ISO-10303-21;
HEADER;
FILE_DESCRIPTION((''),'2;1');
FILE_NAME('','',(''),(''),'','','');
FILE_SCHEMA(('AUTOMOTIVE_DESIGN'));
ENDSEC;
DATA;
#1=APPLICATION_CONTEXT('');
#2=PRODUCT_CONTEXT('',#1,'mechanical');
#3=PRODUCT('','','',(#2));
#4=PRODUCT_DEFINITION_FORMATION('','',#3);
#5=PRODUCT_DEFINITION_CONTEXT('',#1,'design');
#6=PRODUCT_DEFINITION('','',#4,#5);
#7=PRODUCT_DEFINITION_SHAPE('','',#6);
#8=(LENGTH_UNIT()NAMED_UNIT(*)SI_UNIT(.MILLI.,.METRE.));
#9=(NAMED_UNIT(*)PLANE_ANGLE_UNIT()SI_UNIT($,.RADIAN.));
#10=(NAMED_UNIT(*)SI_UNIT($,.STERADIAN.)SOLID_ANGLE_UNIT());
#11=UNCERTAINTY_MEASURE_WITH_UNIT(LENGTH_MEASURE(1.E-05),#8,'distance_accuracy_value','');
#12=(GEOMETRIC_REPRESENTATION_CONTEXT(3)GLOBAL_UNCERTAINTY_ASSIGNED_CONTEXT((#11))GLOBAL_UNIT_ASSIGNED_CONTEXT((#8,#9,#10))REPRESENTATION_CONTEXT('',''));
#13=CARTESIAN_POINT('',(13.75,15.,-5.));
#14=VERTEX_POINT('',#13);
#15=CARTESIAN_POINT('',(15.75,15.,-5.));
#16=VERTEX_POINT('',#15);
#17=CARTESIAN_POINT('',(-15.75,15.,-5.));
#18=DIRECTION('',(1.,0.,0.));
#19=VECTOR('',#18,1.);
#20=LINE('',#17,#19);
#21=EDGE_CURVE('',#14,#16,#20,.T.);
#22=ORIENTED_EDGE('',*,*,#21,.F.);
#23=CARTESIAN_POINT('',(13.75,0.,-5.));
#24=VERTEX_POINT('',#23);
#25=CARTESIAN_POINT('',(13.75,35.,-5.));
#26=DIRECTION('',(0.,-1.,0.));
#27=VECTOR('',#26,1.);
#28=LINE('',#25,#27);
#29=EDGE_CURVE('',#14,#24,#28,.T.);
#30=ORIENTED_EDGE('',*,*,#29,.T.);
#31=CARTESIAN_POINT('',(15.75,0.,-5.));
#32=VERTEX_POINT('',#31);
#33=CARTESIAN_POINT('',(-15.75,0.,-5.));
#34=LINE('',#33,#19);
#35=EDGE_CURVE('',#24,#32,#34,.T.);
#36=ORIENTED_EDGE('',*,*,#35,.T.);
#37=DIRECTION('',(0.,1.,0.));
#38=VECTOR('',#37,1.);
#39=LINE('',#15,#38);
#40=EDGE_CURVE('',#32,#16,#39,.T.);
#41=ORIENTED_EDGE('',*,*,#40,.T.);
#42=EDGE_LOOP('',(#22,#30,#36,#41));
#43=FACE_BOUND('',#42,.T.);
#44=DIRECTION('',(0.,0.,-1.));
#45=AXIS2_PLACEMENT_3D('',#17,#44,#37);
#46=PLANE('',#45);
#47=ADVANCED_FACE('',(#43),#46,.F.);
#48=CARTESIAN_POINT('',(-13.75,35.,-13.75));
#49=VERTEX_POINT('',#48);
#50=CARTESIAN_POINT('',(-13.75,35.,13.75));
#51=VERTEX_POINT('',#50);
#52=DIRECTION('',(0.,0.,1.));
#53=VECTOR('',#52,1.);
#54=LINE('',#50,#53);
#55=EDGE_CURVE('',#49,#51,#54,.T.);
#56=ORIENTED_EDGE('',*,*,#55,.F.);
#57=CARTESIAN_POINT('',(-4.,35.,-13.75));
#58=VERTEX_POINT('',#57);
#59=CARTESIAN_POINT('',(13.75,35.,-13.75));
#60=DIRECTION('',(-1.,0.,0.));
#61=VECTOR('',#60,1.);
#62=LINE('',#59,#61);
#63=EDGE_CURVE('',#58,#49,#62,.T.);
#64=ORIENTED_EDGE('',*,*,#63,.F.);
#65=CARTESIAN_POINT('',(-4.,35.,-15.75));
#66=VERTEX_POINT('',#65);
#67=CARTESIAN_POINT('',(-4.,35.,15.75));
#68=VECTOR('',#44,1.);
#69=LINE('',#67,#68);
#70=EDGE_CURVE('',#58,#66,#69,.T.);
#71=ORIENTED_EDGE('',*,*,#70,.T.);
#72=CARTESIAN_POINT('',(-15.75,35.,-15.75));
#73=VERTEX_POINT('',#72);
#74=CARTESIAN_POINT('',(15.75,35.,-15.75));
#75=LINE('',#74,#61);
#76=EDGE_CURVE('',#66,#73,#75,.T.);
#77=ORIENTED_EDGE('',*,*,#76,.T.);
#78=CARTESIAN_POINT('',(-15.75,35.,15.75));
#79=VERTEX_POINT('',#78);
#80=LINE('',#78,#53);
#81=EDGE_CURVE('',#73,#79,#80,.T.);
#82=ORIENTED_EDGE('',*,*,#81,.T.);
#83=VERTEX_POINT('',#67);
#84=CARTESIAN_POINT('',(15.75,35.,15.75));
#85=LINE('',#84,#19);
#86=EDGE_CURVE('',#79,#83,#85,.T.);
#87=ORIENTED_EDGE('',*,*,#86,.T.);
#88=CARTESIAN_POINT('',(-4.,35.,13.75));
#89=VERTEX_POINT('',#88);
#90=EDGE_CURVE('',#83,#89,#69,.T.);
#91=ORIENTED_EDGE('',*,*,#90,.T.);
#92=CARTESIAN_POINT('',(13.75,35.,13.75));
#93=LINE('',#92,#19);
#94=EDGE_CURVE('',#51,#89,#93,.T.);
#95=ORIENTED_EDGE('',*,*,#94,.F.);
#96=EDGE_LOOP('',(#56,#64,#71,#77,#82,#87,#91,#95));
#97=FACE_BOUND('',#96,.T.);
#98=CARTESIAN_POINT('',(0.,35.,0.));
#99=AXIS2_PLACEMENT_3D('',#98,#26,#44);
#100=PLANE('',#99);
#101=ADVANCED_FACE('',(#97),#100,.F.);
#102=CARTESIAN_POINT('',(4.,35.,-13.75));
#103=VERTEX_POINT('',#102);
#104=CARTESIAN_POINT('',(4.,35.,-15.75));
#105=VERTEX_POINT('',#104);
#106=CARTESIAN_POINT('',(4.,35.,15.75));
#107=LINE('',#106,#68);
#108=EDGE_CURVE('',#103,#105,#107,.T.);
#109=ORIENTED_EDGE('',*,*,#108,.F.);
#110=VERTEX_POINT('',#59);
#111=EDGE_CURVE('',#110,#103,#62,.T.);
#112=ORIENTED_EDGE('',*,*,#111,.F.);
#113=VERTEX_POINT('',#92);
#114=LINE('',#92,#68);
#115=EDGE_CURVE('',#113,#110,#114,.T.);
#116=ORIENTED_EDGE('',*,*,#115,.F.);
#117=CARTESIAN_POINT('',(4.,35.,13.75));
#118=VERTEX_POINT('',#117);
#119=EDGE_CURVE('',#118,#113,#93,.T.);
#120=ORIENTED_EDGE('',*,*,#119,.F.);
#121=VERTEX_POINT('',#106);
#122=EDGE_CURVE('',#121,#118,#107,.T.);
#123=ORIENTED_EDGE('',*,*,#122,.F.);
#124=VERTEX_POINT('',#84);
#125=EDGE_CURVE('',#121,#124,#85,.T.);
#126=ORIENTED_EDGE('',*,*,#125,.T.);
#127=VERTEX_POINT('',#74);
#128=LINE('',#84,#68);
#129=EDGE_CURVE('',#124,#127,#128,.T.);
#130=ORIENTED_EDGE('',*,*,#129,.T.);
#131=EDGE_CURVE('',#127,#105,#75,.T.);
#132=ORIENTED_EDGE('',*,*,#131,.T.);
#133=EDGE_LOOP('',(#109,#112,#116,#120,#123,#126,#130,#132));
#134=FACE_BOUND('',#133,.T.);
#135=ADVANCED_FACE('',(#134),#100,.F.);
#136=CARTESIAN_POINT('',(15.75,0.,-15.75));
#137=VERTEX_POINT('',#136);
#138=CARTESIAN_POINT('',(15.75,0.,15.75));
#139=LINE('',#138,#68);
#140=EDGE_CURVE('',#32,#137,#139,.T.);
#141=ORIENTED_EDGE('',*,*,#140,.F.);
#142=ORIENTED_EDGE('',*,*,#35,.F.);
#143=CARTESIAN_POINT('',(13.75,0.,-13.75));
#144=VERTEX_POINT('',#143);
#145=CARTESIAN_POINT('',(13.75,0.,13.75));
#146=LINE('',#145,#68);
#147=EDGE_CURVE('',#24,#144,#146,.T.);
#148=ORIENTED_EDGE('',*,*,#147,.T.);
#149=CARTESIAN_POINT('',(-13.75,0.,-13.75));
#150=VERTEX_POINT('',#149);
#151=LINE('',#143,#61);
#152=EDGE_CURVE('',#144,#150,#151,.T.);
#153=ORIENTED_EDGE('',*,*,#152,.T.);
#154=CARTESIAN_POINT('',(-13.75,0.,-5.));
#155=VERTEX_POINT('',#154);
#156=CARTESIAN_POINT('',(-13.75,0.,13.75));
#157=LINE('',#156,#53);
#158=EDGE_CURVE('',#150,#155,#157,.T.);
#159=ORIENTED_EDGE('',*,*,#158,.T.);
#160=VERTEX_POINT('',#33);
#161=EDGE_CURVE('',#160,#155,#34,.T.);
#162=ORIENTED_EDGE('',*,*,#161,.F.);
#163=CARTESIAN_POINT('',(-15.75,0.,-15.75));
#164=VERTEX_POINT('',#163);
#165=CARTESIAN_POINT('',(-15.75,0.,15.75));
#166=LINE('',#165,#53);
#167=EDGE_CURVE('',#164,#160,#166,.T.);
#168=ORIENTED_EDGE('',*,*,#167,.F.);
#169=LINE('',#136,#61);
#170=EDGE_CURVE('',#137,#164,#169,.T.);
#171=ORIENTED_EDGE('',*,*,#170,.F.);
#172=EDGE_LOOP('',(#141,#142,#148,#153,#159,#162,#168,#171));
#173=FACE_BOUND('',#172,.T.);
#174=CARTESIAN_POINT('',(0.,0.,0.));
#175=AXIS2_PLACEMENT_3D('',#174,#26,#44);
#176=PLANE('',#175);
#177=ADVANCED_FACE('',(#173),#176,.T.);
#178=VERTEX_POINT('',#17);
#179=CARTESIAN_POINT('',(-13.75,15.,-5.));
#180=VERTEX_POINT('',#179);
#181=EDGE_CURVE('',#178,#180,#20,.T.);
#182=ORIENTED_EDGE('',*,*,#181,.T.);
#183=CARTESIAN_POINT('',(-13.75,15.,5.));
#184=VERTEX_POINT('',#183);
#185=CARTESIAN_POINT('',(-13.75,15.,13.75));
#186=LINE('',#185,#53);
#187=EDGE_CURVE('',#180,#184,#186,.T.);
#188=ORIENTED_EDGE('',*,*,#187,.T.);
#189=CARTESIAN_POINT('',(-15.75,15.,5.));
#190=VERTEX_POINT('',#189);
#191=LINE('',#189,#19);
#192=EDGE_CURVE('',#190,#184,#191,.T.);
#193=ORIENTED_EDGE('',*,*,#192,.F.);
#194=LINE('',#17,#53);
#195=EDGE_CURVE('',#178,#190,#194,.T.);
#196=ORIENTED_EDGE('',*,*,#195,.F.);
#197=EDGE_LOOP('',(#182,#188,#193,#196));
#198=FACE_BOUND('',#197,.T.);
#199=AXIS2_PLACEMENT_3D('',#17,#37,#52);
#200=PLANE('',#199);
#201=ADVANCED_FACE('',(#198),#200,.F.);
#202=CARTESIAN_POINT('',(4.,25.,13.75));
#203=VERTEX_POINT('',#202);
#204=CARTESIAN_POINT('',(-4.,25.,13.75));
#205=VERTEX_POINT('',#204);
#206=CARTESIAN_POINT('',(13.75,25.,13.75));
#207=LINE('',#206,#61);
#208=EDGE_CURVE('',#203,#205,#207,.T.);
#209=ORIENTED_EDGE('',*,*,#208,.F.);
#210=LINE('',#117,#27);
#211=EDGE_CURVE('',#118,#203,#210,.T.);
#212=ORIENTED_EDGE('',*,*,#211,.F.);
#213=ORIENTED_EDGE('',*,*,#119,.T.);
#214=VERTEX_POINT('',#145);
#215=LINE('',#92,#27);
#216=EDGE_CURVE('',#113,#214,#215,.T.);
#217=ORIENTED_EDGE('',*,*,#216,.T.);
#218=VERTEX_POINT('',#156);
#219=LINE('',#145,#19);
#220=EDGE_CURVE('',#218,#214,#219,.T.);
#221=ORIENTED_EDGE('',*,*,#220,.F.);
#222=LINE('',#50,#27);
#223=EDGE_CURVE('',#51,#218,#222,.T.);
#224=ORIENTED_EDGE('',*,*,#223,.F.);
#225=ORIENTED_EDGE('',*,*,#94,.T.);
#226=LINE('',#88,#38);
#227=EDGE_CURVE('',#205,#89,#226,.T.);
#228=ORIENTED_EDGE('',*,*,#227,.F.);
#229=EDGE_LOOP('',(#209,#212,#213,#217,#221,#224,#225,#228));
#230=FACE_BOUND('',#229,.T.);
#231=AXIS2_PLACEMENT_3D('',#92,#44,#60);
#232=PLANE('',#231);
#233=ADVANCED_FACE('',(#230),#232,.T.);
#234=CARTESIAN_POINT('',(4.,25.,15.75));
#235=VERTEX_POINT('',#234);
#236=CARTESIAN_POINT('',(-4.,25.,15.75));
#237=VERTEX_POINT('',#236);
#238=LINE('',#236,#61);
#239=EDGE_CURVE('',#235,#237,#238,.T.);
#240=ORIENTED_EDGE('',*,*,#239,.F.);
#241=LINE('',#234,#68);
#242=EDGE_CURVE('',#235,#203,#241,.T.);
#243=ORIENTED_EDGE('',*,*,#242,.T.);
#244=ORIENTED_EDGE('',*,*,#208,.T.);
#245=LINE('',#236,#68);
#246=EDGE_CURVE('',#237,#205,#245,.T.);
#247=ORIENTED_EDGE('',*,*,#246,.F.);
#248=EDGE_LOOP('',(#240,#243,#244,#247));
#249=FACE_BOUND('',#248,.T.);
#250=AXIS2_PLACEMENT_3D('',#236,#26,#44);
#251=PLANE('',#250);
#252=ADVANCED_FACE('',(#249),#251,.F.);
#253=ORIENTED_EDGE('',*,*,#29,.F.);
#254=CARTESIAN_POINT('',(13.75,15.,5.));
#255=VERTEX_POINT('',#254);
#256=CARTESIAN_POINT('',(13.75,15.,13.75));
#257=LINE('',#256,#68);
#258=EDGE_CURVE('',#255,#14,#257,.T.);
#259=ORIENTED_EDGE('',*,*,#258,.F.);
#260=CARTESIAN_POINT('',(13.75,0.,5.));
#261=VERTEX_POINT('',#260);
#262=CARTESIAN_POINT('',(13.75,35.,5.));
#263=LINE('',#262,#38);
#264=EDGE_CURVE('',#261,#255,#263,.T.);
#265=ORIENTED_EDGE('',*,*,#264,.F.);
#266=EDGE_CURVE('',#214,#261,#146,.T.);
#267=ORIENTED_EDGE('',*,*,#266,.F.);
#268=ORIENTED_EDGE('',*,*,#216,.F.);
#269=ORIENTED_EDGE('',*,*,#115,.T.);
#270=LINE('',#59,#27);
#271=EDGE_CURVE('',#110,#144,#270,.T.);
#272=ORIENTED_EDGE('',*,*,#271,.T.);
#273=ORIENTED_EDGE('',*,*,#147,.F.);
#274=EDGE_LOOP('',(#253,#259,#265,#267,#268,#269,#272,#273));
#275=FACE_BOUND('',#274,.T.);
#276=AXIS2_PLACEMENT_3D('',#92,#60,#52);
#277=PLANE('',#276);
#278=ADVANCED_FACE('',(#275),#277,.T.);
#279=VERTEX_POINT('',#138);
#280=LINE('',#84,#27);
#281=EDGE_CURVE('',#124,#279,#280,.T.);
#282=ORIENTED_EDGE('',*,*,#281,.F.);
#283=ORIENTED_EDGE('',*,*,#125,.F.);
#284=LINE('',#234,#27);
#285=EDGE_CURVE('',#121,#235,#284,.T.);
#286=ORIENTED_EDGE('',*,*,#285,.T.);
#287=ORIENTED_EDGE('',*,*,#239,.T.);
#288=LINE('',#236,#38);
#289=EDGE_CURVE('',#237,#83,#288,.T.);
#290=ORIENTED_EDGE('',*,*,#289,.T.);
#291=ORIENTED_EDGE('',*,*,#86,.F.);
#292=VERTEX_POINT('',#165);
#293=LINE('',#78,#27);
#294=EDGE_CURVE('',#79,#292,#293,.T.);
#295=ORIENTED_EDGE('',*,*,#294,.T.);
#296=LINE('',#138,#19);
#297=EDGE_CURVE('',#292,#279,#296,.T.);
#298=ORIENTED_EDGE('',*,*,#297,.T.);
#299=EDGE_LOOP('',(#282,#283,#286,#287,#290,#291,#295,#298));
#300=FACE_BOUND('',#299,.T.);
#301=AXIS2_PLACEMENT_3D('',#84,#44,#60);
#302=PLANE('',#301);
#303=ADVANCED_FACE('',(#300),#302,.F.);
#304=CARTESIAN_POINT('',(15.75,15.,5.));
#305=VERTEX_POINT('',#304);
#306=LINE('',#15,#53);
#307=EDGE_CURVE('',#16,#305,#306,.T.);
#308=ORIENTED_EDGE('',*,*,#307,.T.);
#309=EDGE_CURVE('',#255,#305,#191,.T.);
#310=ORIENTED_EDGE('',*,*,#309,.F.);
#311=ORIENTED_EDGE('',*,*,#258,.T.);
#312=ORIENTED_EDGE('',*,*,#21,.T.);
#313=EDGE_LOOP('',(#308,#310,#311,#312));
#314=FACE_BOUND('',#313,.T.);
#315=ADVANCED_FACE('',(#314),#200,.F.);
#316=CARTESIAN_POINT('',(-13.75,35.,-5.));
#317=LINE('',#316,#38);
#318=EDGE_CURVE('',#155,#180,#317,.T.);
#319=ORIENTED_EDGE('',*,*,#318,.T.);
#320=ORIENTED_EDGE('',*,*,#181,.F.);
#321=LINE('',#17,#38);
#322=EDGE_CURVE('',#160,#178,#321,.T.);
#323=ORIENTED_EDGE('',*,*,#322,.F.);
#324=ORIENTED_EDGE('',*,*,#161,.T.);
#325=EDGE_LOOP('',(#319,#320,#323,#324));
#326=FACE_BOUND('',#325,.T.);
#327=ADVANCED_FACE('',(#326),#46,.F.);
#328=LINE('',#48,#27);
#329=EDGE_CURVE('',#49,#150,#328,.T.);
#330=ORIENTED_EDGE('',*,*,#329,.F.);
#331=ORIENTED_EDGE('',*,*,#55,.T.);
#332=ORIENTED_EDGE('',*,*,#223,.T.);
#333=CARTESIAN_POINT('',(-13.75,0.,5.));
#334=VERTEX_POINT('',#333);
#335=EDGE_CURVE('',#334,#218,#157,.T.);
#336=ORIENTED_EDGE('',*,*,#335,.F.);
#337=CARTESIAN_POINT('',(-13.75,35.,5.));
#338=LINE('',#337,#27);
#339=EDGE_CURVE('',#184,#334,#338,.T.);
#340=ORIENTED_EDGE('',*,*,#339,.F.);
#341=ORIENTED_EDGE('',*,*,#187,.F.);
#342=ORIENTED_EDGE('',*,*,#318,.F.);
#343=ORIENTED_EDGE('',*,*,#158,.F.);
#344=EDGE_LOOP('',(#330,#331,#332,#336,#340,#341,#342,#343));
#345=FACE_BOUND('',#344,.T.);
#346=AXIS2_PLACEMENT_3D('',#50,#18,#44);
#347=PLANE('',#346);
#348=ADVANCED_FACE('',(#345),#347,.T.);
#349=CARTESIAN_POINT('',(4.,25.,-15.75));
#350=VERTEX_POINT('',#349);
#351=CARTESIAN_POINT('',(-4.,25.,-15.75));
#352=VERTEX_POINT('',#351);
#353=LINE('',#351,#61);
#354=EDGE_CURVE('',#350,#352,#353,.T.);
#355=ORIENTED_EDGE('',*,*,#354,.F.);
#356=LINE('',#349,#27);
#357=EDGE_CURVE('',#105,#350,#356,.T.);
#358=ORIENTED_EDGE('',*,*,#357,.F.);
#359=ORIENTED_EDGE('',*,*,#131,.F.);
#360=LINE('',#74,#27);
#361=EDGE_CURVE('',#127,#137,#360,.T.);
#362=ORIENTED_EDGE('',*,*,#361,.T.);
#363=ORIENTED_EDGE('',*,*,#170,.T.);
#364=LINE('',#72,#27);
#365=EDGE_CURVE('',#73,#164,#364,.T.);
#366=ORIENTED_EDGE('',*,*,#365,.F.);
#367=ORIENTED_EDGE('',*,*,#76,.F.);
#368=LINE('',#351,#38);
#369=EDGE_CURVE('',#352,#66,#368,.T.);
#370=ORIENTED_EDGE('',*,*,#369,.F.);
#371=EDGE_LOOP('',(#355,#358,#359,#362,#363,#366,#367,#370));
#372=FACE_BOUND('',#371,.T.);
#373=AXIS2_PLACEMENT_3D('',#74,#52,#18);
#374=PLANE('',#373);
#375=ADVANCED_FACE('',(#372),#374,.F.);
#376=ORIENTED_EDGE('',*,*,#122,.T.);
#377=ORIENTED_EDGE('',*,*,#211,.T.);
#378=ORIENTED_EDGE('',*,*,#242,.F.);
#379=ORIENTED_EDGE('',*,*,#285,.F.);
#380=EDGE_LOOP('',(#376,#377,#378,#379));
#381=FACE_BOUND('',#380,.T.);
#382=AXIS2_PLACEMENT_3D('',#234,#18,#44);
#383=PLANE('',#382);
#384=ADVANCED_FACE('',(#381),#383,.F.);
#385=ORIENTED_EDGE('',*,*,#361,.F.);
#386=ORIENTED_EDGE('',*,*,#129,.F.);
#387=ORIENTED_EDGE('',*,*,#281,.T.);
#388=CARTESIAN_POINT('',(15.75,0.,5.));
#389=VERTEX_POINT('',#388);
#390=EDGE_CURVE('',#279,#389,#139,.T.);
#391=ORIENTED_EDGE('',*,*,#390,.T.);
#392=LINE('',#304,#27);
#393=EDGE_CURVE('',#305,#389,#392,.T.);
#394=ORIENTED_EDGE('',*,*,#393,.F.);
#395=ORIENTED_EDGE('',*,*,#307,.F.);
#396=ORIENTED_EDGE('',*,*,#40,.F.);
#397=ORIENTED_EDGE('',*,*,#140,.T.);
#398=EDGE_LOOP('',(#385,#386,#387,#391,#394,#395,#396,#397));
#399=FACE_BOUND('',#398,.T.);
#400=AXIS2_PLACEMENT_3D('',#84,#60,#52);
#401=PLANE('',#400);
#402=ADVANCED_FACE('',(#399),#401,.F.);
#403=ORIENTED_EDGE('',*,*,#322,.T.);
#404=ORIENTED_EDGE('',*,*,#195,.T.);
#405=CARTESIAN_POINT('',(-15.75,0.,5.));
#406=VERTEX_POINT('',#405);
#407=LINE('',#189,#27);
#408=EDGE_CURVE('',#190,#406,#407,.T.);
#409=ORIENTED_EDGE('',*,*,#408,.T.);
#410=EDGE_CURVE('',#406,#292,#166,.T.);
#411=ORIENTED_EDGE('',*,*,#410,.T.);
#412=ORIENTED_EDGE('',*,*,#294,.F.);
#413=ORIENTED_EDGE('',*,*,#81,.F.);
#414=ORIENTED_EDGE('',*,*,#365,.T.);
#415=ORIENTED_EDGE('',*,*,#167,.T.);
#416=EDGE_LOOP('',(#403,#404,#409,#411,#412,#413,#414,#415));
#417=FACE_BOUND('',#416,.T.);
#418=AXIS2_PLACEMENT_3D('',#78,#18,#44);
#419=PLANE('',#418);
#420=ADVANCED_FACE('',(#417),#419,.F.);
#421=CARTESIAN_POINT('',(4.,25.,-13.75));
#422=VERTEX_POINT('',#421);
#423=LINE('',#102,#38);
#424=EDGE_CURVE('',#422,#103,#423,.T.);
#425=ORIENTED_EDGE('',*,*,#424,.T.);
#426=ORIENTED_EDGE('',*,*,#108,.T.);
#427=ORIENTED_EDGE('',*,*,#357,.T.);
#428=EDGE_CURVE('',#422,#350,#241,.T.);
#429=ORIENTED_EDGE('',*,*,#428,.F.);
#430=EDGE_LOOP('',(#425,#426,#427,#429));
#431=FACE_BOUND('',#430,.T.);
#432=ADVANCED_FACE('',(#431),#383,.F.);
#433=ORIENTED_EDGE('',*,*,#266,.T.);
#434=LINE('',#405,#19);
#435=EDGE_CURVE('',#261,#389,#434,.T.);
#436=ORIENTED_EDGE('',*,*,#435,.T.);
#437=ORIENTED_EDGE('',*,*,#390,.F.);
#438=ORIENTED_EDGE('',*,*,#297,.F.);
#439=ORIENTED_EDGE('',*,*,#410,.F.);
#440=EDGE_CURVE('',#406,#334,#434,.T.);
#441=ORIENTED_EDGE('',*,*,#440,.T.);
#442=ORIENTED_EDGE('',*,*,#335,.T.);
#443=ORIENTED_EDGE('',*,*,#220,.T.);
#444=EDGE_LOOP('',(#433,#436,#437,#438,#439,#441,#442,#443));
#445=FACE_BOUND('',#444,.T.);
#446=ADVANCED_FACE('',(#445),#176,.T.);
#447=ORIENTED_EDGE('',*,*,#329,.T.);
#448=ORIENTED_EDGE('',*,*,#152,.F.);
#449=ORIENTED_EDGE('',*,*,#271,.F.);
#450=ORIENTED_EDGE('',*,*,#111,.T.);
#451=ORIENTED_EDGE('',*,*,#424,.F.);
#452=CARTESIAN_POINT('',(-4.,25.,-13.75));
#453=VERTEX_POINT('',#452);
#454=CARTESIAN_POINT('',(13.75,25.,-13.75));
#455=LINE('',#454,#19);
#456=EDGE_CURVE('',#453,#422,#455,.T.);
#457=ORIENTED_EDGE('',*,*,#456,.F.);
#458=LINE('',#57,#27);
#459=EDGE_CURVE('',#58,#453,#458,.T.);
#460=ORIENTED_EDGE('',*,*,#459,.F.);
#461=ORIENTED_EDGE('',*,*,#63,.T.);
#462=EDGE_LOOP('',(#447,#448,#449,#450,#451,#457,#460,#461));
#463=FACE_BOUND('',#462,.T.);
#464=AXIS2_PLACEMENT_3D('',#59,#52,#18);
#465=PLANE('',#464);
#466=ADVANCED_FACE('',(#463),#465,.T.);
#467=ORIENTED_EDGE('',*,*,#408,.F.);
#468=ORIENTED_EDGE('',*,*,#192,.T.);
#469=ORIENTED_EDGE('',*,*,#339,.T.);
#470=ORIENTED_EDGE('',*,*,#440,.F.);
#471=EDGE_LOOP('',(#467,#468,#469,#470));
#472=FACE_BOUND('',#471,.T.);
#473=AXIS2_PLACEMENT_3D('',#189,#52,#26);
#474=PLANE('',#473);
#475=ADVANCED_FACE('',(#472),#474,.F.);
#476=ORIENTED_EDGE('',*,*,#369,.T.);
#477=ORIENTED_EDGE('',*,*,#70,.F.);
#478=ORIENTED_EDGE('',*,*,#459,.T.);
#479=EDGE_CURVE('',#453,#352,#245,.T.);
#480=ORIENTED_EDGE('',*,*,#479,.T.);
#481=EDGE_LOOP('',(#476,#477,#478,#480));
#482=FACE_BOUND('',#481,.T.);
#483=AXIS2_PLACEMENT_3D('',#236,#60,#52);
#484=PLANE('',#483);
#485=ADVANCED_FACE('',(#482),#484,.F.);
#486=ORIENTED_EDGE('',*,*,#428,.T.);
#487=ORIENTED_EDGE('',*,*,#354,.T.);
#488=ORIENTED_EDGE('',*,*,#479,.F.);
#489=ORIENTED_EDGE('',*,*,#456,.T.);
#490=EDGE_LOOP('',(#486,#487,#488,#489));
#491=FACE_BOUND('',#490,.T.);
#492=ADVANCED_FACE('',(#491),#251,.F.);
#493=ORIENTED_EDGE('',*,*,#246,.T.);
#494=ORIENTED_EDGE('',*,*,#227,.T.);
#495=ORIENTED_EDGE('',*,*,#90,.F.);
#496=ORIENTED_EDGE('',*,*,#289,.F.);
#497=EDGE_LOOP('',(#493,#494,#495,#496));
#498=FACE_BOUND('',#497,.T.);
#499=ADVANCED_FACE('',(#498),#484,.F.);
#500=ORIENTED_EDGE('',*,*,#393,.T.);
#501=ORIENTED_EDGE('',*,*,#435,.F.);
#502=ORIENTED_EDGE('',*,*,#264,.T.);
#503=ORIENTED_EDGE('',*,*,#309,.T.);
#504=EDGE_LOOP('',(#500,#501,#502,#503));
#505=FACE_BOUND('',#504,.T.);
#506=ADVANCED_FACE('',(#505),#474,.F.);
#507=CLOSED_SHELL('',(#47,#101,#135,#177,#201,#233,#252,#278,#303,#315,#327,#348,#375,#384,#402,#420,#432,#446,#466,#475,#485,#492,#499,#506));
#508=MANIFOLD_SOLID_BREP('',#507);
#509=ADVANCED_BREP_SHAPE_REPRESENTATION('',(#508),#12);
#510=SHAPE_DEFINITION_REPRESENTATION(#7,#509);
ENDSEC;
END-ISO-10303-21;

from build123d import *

# Parameters (mm, degrees)
SKETCH1_W           = 31.5
SKETCH1_H           = 31.5
SKETCH1_W_2         = 27.5
SKETCH1_H_2         = 27.5
BOSS_EXTRUDE1_DEPTH = 35
SKETCH2_W           = 10
SKETCH2_H           = 15
CUT_EXTRUDE1_DEPTH  = 32.5
SKETCH3_W           = 8
SKETCH3_H           = 10
CUT_EXTRUDE2_DEPTH  = 32.5


with BuildPart() as part:
    # Sketch1 → Boss-Extrude1 (new body)
    with BuildSketch(Plane(origin=(0, 0, 0), x_dir=(1, 0, 0), z_dir=(0, 1, 0))):
        Rectangle(SKETCH1_W, SKETCH1_H)
        Rectangle(SKETCH1_W_2, SKETCH1_H_2, mode=Mode.SUBTRACT)
    extrude(amount=BOSS_EXTRUDE1_DEPTH)

    # Sketch2 → Cut-Extrude1 (cut, through all)
    with BuildSketch(Plane(origin=(15.75, 0, 0), x_dir=(0, 0, -1), z_dir=(1, 0, 0))):
        with Locations((0, 7.5)):
            Rectangle(SKETCH2_W, SKETCH2_H)
    extrude(amount=-CUT_EXTRUDE1_DEPTH, mode=Mode.SUBTRACT)

    # Sketch3 → Cut-Extrude2 (cut, through all)
    with BuildSketch(Plane(origin=(0, 0, -15.75), x_dir=(-1, 0, 0), z_dir=(0, 0, -1))):
        with Locations((0, 30)):
            Rectangle(SKETCH3_W, SKETCH3_H)
    extrude(amount=-CUT_EXTRUDE2_DEPTH, mode=Mode.SUBTRACT)


solid = part.part
